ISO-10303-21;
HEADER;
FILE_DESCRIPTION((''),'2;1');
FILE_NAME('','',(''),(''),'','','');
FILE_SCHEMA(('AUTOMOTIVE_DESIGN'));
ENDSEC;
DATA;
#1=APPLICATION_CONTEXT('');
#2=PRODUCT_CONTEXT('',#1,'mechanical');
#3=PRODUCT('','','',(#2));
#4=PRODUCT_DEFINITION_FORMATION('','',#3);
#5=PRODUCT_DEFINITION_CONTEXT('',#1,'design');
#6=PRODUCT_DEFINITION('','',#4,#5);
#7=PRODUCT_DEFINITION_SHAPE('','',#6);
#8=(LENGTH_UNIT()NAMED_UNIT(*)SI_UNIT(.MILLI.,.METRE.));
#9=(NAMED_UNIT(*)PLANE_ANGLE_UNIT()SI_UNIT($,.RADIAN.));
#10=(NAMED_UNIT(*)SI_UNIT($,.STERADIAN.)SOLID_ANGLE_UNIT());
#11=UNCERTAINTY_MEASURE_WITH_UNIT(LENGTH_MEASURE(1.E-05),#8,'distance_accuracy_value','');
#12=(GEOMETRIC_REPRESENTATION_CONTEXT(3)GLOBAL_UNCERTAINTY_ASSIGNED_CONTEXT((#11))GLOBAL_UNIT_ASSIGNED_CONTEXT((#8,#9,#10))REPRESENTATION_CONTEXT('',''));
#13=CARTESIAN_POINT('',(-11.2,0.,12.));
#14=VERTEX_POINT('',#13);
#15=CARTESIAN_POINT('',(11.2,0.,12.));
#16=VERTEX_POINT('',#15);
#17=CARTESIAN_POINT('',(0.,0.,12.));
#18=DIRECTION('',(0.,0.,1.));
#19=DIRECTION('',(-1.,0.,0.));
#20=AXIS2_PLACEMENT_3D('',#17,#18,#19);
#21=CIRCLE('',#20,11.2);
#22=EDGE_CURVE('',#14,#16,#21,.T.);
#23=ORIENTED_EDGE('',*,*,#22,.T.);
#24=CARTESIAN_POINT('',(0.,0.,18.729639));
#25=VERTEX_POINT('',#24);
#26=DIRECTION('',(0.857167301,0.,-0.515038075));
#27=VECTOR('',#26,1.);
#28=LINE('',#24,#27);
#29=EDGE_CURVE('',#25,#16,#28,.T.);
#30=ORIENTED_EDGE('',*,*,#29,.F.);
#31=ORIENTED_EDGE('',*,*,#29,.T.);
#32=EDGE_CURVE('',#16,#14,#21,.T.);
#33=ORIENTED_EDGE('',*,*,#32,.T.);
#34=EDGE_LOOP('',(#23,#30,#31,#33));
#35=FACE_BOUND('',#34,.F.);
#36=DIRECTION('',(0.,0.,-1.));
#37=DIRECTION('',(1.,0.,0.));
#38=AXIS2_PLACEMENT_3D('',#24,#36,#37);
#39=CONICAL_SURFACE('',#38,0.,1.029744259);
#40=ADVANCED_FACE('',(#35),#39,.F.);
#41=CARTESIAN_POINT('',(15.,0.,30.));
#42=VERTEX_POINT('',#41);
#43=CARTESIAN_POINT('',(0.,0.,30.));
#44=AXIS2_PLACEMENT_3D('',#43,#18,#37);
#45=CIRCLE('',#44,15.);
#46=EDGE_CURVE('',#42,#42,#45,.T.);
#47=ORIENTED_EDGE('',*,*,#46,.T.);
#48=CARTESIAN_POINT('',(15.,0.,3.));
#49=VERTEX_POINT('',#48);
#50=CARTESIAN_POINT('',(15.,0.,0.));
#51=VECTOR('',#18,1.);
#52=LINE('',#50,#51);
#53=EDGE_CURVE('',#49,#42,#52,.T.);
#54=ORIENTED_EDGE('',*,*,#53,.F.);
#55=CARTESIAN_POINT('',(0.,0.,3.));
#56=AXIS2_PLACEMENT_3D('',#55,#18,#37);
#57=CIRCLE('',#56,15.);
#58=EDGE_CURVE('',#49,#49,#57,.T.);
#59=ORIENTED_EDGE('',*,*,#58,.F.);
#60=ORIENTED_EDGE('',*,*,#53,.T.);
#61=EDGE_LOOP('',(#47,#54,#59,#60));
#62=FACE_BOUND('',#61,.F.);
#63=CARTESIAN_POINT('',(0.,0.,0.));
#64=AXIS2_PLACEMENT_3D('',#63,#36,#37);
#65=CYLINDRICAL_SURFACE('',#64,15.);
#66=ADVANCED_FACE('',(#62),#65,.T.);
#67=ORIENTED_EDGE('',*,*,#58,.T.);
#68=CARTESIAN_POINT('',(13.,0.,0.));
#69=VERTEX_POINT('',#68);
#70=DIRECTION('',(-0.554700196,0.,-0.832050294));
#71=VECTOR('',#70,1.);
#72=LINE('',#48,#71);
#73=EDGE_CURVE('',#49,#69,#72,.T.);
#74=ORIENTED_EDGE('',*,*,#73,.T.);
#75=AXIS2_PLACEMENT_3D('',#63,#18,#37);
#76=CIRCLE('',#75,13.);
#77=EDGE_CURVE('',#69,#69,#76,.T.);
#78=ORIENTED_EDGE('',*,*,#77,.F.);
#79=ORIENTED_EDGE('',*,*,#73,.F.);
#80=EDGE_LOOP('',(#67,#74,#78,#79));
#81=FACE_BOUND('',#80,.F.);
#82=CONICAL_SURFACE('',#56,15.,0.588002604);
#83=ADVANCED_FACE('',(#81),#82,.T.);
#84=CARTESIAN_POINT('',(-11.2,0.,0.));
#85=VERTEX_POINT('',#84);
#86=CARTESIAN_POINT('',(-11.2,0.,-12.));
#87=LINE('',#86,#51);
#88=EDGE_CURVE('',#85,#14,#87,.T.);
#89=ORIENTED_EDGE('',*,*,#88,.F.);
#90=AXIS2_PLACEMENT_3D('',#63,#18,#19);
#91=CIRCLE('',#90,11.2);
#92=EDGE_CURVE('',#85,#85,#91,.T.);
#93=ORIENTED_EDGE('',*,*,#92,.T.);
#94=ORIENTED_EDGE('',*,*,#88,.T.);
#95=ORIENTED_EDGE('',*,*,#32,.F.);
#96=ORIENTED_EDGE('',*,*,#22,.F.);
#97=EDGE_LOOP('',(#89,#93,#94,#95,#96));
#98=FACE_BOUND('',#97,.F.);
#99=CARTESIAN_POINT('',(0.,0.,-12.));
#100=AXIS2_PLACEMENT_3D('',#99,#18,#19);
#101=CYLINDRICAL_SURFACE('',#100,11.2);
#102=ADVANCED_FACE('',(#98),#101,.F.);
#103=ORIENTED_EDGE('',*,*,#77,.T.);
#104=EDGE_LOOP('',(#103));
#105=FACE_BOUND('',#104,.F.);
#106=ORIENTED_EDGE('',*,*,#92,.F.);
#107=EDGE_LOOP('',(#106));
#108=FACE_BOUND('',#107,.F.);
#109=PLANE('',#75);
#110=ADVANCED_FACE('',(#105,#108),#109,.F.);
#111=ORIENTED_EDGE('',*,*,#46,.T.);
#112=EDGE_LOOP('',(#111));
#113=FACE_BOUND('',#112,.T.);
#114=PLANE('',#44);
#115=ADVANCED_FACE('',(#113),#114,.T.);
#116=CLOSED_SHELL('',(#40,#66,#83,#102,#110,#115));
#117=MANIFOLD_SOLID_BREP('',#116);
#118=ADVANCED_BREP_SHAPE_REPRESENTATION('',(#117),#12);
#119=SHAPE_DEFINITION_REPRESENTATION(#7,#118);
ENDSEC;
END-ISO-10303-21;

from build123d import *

# Parameters (mm, degrees)
F0_R     = 15
F1_DEPTH = 30
F3_D     = 22.4
F3_DEPTH = 12
F3_TIP   = 6.7296389331
F4_SIZE2 = 2
F4_SIZE  = 3


with BuildPart() as f1:
    # F0 (on Top) → F1 (new body)
    with BuildSketch(Plane.XY):
        Circle(F0_R)
    extrude(amount=F1_DEPTH)

    # F3
    with Locations(Plane(origin=(0, 0, 0), x_dir=(1, 0, 0), z_dir=(0, 0, -1))):
        with Locations((0, 0)):
            Hole(F3_D / 2, depth=F3_DEPTH)
            with Locations((0, 0, -(F3_DEPTH + F3_TIP / 2))):  # 118° drill point
                Cone(0, F3_D / 2, F3_TIP, mode=Mode.SUBTRACT)

    # F4
    f4_edges = [f1.edges().sort_by_distance(p)[0] for p in [
        (-15, 0, 0),
    ]]
    f4_side = f1.faces().sort_by_distance((-15, 0, 15))[0]
    chamfer(f4_edges, length=F4_SIZE, length2=F4_SIZE2, reference=f4_side)


solid = f1.part
